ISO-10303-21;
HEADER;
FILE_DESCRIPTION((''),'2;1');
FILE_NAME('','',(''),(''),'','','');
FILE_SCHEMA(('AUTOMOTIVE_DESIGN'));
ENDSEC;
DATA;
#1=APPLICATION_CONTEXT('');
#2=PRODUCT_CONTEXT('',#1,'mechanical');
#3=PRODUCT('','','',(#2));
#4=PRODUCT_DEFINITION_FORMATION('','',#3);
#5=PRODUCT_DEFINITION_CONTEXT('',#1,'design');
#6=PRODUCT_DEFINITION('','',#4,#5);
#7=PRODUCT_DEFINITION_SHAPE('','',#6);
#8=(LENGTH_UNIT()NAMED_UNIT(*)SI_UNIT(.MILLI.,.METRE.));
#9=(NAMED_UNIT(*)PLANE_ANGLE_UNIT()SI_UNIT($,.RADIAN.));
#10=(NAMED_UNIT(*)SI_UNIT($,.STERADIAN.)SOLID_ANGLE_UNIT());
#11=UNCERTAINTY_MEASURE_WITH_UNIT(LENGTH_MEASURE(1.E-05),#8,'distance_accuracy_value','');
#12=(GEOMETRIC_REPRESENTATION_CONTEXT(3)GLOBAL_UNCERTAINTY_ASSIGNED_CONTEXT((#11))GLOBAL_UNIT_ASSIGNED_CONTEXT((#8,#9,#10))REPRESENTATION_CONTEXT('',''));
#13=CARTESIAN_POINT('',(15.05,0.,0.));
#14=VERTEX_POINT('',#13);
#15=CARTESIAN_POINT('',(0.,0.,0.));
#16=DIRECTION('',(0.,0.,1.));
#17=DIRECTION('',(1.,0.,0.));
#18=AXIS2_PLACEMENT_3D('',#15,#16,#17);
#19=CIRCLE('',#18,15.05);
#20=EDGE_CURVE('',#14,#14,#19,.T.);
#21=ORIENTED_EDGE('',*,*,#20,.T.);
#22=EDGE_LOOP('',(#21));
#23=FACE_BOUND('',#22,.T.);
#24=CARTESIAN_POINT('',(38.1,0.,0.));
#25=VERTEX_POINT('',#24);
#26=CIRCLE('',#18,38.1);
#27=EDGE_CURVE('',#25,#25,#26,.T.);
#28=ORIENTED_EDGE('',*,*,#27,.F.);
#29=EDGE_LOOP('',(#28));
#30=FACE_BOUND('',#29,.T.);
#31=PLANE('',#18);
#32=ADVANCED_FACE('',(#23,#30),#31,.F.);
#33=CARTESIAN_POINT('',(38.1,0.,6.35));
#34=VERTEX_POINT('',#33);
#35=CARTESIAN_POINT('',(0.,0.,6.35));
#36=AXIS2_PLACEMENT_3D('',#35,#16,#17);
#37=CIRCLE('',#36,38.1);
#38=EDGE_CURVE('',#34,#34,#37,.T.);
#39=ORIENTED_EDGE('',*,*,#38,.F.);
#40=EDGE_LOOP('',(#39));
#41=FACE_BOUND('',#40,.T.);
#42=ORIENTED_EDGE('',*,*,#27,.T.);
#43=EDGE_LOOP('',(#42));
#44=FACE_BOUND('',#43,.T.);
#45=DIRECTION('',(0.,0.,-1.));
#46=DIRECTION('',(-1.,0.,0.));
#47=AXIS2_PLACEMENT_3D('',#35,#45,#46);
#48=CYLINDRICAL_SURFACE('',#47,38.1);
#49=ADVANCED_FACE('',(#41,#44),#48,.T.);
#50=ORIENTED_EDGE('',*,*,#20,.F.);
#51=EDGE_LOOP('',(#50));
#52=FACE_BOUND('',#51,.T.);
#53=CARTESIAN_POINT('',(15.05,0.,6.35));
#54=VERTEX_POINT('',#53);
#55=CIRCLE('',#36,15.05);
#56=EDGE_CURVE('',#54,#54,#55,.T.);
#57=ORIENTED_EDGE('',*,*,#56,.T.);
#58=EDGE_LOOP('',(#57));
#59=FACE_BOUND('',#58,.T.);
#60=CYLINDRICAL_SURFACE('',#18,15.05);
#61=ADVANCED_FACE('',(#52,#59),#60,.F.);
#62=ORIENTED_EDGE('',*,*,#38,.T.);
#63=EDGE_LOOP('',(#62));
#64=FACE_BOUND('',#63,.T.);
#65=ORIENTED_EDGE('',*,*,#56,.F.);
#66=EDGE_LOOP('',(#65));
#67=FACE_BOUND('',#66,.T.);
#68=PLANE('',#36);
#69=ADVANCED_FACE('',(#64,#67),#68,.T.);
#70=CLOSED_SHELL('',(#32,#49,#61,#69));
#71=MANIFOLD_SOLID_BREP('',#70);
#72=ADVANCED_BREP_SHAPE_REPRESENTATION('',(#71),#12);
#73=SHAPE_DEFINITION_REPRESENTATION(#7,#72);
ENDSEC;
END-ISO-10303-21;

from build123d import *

# Parameters (mm, degrees)
SKETCH2_R           = 38.1
BOSS_EXTRUDE1_DEPTH = 6.35
SKETCH3_R           = 15.05
CUT_EXTRUDE1_DEPTH  = 6.35


with BuildPart() as part:
    # Sketch2 → Boss-Extrude1 (new body)
    with BuildSketch(Plane.XY):
        Circle(SKETCH2_R)
    extrude(amount=BOSS_EXTRUDE1_DEPTH)

    # Sketch3 → Cut-Extrude1 (cut)
    with BuildSketch(Plane.XY.offset(6.35)):
        Circle(SKETCH3_R)
    extrude(amount=-CUT_EXTRUDE1_DEPTH, mode=Mode.SUBTRACT)


solid = part.part
